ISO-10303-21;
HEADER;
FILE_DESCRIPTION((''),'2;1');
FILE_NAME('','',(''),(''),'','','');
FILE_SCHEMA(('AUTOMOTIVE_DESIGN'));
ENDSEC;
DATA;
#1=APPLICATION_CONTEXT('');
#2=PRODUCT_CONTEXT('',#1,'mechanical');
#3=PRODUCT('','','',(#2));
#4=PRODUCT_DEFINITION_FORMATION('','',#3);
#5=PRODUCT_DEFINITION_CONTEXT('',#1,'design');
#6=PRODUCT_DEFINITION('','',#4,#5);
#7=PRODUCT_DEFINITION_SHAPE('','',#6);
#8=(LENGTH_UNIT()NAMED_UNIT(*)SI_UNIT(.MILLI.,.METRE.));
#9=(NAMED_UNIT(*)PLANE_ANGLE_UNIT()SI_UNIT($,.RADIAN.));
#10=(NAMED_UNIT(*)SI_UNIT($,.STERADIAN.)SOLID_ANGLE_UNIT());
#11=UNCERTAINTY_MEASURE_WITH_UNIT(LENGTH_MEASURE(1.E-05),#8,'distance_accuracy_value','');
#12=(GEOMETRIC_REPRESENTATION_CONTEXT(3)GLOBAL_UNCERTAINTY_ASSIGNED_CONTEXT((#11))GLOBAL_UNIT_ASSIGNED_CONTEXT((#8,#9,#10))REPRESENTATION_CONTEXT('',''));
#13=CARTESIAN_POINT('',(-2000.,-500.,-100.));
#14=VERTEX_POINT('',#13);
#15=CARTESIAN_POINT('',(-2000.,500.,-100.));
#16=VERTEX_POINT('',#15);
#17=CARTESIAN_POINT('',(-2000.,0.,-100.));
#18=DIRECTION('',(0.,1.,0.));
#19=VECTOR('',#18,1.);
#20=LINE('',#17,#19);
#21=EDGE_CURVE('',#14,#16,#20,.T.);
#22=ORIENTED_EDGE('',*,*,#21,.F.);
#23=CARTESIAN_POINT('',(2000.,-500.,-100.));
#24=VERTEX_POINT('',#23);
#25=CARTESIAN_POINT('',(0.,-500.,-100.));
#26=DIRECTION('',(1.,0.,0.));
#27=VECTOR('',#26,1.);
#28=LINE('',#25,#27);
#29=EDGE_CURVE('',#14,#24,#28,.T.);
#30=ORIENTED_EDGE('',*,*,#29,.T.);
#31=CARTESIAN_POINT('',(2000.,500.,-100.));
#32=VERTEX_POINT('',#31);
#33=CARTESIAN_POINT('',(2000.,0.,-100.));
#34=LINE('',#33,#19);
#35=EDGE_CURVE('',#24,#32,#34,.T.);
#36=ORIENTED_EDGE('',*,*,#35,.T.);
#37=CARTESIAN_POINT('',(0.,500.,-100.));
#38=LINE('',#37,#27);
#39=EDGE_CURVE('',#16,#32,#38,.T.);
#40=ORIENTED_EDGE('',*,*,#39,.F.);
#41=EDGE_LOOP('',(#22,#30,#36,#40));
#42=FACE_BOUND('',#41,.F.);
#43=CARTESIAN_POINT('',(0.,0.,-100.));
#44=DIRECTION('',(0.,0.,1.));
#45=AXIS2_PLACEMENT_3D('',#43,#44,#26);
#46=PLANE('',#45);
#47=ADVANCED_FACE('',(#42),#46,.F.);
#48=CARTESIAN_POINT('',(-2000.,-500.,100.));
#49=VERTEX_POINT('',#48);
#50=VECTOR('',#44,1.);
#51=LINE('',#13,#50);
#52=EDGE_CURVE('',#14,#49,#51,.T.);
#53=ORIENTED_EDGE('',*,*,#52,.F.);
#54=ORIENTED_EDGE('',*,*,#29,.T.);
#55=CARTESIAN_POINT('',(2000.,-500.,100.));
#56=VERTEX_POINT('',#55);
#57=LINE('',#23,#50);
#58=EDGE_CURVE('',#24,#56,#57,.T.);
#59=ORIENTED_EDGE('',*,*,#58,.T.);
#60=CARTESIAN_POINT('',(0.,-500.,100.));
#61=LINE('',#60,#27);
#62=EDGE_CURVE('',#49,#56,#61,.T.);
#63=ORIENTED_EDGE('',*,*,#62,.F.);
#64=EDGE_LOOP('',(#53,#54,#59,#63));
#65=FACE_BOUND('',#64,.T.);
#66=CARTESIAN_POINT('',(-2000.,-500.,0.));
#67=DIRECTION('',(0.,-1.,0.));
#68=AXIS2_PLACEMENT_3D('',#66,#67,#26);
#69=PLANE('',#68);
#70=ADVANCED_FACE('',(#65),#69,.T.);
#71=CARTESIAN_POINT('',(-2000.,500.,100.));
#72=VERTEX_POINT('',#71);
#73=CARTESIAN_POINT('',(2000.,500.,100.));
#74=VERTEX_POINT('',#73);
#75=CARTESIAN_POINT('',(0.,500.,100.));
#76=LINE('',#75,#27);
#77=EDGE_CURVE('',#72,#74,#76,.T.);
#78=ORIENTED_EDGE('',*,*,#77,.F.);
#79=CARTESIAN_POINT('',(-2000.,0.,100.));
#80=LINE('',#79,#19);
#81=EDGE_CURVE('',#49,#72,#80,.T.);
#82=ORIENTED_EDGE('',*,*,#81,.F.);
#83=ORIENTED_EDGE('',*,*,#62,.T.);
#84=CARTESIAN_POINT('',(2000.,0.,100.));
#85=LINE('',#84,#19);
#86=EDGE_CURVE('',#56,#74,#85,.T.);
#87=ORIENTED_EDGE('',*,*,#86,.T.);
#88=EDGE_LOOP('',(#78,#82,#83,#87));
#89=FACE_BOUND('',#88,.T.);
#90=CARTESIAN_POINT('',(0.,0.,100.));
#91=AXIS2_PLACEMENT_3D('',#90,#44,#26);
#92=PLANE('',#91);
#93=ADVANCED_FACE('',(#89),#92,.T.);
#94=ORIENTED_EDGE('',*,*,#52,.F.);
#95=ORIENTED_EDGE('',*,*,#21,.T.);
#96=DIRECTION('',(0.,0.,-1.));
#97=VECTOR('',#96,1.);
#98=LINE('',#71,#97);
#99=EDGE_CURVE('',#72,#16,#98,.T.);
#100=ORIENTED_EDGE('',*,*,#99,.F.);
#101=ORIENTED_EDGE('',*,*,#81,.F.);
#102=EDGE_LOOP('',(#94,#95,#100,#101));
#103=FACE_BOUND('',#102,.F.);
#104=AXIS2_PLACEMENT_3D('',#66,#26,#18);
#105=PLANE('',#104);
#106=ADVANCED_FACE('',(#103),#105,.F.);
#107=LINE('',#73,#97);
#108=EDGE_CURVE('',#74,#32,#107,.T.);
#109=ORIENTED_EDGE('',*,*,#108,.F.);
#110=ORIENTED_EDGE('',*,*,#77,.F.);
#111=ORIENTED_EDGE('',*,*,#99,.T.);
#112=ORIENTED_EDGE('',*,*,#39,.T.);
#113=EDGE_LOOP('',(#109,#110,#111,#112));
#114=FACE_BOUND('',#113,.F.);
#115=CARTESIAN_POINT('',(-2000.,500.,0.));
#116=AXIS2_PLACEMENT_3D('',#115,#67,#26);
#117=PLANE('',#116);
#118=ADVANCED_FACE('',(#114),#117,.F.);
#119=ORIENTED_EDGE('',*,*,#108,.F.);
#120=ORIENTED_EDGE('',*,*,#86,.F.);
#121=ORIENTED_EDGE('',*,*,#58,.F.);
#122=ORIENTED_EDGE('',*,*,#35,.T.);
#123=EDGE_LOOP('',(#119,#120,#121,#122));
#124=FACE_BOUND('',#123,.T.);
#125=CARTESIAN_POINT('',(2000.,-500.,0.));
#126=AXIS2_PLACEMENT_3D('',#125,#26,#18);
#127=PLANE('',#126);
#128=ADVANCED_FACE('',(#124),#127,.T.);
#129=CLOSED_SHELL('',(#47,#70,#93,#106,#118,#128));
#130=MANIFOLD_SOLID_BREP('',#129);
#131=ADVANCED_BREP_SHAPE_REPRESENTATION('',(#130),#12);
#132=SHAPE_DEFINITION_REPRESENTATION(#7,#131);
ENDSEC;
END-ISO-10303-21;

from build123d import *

# Parameters (mm, degrees)
F0_W     = 4000
F0_H     = 1000
F1_DEPTH = 100
F2_DEPTH = 100


with BuildPart() as f1:
    # F0 (on Top) → F1 (new body)
    with BuildSketch(Plane.XY):
        Rectangle(F0_W, F0_H)
    extrude(amount=F1_DEPTH)

    # F0 (on Top) → F2 (join)
    with BuildSketch(Plane.XY):
        Rectangle(F0_W, F0_H)
    extrude(amount=-F2_DEPTH)


solid = f1.part
